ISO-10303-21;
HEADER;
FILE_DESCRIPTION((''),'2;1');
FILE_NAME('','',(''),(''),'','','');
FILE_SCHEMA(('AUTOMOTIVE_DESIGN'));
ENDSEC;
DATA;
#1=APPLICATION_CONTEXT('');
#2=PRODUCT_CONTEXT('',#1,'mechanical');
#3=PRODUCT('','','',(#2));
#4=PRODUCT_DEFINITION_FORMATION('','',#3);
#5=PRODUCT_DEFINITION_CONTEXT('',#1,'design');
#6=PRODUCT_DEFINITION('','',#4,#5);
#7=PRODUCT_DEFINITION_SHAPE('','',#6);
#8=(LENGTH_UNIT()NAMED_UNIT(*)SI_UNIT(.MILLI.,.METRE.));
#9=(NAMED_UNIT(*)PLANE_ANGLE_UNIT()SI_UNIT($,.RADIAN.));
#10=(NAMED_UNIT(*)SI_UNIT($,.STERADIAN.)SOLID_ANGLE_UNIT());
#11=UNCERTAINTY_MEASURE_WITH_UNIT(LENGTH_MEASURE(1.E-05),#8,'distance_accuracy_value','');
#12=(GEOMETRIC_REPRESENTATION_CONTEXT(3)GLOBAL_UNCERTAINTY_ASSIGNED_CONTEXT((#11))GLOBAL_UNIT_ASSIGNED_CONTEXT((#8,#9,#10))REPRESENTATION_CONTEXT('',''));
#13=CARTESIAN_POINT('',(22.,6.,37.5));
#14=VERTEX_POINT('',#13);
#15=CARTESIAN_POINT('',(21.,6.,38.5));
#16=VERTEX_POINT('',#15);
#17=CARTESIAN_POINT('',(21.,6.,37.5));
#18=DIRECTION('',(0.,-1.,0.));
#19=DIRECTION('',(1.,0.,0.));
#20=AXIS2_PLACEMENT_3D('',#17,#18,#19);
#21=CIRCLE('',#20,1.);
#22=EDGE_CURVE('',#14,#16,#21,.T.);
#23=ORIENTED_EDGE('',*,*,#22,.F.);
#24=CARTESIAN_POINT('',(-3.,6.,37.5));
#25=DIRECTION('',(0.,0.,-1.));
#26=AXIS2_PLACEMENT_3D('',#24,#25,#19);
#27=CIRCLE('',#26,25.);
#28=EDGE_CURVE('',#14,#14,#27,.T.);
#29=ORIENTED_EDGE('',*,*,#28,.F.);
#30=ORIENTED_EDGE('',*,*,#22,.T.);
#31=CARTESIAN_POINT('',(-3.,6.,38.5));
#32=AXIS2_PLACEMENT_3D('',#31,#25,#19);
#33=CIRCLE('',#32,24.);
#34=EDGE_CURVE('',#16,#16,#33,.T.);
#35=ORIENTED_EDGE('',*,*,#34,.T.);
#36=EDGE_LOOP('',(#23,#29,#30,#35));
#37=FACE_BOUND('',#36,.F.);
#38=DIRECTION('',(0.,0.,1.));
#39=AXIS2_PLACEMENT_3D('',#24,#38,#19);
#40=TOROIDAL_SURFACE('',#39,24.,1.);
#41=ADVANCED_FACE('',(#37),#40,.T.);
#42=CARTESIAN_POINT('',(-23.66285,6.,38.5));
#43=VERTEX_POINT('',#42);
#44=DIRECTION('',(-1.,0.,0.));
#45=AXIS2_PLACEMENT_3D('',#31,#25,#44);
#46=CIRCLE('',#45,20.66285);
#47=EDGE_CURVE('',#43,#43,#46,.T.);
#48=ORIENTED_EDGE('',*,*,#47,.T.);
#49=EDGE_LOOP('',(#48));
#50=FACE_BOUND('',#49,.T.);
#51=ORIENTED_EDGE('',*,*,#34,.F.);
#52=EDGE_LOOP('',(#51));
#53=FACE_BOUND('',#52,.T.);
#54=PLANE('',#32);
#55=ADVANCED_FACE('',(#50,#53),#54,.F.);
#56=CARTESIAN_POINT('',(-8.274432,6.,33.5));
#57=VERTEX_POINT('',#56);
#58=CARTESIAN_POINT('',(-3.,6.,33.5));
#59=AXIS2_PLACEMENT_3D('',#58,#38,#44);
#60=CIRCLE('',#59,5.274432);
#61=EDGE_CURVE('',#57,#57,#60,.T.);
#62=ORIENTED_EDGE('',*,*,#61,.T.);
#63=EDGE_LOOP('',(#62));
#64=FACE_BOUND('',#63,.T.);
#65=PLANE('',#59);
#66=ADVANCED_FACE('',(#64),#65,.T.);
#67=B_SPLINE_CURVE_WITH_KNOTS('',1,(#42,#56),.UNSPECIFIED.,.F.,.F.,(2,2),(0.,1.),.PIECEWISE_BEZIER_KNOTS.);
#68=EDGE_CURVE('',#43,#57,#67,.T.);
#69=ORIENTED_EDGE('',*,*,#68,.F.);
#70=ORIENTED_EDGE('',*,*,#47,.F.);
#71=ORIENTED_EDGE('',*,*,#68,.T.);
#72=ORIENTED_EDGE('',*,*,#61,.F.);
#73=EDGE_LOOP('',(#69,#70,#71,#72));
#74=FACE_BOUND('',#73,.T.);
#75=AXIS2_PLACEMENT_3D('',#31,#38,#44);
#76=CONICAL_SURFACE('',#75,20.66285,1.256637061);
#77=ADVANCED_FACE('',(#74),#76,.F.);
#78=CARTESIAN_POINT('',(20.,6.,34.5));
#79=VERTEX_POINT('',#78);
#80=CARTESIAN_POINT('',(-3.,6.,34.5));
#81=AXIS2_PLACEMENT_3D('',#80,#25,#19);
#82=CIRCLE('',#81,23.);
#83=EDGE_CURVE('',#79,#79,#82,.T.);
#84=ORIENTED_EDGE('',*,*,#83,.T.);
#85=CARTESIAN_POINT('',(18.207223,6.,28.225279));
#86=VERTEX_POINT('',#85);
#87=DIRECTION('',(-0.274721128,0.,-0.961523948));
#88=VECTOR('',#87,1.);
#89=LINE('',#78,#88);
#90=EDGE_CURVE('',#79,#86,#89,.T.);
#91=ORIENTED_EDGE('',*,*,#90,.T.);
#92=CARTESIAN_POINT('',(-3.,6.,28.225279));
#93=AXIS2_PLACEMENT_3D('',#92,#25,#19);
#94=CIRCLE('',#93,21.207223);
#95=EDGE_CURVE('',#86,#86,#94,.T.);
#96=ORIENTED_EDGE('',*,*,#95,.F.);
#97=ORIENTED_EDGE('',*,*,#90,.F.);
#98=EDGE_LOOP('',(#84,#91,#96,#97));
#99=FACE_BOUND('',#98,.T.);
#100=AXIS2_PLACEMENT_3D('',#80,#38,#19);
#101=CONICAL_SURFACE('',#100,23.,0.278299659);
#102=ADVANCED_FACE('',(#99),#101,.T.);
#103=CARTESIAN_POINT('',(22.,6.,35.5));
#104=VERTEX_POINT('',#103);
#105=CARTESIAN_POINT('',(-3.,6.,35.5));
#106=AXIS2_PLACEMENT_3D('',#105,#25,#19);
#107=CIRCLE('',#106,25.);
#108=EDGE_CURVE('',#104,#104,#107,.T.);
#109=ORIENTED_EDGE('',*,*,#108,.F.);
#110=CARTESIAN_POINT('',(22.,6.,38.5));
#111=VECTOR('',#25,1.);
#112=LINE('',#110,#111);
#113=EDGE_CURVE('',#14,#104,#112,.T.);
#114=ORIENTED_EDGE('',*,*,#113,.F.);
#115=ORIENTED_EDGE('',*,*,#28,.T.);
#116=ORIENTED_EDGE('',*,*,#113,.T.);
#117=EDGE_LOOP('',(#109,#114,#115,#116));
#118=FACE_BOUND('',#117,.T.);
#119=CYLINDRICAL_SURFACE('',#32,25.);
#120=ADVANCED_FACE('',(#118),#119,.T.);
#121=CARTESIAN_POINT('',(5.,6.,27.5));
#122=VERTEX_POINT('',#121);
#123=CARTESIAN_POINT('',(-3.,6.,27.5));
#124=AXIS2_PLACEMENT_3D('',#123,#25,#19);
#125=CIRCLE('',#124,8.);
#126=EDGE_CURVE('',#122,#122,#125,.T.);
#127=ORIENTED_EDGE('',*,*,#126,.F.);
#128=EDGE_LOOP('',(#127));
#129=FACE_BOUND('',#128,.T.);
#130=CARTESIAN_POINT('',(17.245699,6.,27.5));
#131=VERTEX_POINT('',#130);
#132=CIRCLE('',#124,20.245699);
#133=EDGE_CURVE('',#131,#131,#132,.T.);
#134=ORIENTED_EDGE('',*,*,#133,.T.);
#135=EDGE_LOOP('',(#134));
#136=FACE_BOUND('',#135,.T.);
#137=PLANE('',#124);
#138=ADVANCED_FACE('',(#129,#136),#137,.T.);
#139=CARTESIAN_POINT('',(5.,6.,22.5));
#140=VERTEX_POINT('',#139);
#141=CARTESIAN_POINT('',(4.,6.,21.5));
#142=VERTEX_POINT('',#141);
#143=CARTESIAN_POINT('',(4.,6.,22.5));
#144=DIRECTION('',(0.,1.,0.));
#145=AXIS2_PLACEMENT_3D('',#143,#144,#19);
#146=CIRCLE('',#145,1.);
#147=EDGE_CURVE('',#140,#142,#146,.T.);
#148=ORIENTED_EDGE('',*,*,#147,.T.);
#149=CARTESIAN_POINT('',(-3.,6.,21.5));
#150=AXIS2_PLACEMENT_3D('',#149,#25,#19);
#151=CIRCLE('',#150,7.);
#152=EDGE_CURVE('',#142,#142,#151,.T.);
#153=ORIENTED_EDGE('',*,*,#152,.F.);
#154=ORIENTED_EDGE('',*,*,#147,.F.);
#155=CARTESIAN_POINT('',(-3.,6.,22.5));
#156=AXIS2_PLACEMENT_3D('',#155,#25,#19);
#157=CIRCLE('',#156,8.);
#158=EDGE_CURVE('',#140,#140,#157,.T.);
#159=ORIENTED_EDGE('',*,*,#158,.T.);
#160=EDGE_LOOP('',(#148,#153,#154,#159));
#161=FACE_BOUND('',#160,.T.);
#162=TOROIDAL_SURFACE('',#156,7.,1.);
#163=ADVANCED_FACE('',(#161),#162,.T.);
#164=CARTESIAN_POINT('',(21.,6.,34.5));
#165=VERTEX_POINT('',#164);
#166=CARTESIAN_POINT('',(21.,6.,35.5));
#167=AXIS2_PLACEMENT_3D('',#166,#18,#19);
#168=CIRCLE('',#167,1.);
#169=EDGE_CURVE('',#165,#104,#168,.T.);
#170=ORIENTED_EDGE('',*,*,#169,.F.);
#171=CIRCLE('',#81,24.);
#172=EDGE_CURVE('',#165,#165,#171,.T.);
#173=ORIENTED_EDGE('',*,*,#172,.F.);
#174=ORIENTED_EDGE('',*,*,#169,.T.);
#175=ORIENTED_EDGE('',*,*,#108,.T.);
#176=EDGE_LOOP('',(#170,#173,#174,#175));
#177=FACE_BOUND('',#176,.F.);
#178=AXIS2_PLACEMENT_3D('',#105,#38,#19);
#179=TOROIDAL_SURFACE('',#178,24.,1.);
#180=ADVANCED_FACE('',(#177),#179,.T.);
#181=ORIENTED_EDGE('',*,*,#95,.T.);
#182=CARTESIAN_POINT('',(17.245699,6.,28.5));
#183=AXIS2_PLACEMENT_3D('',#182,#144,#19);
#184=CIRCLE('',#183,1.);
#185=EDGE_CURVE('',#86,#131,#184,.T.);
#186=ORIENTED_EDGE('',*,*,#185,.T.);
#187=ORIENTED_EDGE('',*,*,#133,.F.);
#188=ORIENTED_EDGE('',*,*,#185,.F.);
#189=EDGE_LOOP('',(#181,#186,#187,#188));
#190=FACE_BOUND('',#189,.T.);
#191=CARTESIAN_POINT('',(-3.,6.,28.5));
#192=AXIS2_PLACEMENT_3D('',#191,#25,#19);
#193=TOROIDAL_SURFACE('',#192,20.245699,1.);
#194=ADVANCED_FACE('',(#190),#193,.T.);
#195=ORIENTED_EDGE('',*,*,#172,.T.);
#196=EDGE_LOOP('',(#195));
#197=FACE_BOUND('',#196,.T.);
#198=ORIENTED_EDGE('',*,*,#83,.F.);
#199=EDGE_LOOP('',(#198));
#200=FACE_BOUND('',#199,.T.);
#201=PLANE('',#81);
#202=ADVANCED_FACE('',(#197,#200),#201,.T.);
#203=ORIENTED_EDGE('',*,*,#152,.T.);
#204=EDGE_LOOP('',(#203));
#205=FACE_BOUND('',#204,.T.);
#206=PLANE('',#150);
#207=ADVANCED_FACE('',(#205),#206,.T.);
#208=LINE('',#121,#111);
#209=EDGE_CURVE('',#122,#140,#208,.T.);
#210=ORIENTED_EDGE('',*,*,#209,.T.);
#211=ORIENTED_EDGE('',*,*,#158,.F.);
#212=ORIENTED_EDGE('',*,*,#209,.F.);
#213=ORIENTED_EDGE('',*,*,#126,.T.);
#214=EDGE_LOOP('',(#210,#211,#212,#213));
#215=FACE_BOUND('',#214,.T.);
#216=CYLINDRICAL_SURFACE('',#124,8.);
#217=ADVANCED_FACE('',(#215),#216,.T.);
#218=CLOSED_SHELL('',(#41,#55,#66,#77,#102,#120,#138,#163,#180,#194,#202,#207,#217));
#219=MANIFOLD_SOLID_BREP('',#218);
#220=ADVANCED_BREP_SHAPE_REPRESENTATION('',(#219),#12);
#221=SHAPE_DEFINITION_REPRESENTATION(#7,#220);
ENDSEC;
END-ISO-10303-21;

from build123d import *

# Parameters (mm, degrees)
FILLET017_R             = 1
FILLET018_R             = 1
SKETCH014_R             = 20.66285
POCKET_DEPTH            = 5
POCKET_TAPER            = 72
FILLET019_R             = 1
BODY014_PLACEMENT_ANGLE = 180


with BuildPart() as part:
    # Sketch013 → Revolve (revolve)
    with BuildSketch(Plane.XZ):
        Polygon((0, 0), (-25, 0), (-25, 4), (-23, 4), (-21, 11), (-8, 11), (-8, 17), (0, 17), align=None)
    revolve(axis=Axis((0, 0, 0), (0, 0, 1)))

    # Fillet017
    fillet017_edges = [part.edges().sort_by_distance(p)[0] for p in [
        (21, 0, 11),
        (8, 0, 17),
    ]]
    fillet(fillet017_edges, radius=FILLET017_R)

    # Fillet018
    fillet018_edges = [part.edges().sort_by_distance(p)[0] for p in [
        (25, 0, 4),
    ]]
    fillet(fillet018_edges, radius=FILLET018_R)

    # Sketch014 (on Face6 of BaseFeature002) → Pocket (cut)
    with BuildSketch(Plane(origin=(0, 0, 0), x_dir=(1, 0, 0), z_dir=(0, 0, -1))):
        Circle(SKETCH014_R)
    extrude(amount=-POCKET_DEPTH, taper=POCKET_TAPER, mode=Mode.SUBTRACT)

    # Fillet019
    fillet019_edges = [part.edges().sort_by_distance(p)[0] for p in [
        (25, 0, 0),
    ]]
    fillet(fillet019_edges, radius=FILLET019_R)


with BuildPart() as part_1:
    # Body014 placement: moved
    add(part.part.moved(Location((-3, 6, 38.5))).rotate(Axis((-3, 6, 38.5), (0, 1, 0)), BODY014_PLACEMENT_ANGLE))


solid = part_1.part
